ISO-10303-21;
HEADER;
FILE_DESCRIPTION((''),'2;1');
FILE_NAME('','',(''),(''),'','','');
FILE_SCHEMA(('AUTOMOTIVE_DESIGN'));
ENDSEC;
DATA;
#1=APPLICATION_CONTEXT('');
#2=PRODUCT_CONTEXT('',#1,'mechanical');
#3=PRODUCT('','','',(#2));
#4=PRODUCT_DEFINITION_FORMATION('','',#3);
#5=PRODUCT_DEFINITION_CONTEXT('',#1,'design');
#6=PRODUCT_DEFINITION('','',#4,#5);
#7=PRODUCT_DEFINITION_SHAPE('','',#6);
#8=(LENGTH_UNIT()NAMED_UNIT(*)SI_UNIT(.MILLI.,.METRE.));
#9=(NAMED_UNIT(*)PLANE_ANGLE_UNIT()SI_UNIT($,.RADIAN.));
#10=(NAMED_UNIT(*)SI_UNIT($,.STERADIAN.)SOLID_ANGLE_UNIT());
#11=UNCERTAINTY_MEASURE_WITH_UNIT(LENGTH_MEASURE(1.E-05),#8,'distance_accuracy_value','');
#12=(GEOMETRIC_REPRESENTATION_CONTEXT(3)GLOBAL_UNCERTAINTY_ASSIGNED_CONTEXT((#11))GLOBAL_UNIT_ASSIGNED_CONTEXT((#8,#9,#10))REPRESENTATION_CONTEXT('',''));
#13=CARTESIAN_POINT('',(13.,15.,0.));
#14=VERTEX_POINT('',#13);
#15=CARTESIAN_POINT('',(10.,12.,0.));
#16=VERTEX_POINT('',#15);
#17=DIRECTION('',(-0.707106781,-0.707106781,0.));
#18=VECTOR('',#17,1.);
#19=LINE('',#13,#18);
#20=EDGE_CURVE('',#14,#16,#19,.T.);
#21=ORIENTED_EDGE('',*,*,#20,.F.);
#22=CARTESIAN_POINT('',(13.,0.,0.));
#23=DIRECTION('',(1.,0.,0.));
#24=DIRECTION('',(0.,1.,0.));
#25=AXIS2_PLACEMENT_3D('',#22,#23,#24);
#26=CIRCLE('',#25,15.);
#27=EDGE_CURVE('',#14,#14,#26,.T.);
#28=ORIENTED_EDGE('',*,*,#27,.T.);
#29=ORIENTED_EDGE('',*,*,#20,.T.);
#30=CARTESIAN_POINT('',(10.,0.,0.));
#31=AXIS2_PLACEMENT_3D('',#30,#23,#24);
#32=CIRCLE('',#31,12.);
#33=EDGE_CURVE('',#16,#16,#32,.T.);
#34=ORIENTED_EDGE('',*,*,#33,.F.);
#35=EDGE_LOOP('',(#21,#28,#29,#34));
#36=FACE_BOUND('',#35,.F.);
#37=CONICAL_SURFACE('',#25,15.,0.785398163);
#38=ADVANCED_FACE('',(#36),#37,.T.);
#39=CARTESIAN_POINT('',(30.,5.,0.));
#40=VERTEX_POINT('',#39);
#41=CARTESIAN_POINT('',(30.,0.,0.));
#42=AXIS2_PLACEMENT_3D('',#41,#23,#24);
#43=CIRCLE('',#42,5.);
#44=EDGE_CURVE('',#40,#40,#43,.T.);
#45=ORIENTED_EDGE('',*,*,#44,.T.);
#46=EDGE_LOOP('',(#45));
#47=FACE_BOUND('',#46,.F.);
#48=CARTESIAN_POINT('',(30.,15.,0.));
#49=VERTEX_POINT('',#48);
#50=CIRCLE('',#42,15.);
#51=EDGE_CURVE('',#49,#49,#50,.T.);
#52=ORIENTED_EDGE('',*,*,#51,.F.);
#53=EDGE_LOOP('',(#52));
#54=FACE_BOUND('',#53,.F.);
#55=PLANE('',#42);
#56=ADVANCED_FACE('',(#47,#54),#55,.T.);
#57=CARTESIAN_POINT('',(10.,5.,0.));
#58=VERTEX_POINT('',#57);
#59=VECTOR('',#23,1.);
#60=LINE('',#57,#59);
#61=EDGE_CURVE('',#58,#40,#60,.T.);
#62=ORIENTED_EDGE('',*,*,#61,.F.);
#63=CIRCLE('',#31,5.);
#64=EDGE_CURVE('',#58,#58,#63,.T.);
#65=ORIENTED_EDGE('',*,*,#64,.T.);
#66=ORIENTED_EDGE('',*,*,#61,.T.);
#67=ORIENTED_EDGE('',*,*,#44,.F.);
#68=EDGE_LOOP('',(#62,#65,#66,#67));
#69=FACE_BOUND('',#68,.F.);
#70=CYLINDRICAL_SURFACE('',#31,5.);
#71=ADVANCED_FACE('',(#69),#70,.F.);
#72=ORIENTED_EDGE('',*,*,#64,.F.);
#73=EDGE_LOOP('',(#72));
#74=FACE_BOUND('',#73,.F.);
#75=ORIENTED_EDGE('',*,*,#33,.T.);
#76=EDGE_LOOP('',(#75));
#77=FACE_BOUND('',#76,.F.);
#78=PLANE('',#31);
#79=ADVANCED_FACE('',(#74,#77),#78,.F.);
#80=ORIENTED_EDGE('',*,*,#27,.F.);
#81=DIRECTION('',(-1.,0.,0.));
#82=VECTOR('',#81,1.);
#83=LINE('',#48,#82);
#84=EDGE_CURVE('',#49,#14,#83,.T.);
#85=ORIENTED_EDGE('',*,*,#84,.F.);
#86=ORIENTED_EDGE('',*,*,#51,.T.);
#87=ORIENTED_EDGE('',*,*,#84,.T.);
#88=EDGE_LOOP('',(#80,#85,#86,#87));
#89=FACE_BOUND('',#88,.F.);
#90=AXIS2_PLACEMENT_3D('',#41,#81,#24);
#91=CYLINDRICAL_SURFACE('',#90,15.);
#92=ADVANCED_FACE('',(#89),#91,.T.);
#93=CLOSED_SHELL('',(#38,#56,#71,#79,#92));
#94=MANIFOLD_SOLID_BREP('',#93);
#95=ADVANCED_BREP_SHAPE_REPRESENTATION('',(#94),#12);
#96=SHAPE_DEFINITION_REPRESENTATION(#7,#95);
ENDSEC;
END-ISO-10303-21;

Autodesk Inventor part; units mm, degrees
ref_plane "YZ Plane" through (0, 0, 0) normal (1, 0, 0) x (0, 1, 0)
ref_plane "XZ Plane" through (0, 0, 0) normal (0, 1, 0) x (-1, 0, 0)
ref_plane "XY Plane" through (0, 0, 0) normal (0, 0, 1) x (1, 0, 0)
sketch "Sketch1" plane through (0, 0, 0) normal (0, 0, 1) x (1, 0, 0)
  line L0 (10, 5) -> (30, 5)
  line L1 (30, 5) -> (30, 15)
  line L2 (30, 15) -> (13, 15)
  line L3 (13, 15) -> (10, 12)
  line L4 (10, 12) -> (10, 5)
  line L5 (6, 0) -> (34, 0) projected
  dimension "d0" = 135
revolve "Revolution1" add sketch "Sketch1" angle 360 about axis through (-10, 0, 0) along (1, 0, 0)
properties part number "a_full_angledim"
